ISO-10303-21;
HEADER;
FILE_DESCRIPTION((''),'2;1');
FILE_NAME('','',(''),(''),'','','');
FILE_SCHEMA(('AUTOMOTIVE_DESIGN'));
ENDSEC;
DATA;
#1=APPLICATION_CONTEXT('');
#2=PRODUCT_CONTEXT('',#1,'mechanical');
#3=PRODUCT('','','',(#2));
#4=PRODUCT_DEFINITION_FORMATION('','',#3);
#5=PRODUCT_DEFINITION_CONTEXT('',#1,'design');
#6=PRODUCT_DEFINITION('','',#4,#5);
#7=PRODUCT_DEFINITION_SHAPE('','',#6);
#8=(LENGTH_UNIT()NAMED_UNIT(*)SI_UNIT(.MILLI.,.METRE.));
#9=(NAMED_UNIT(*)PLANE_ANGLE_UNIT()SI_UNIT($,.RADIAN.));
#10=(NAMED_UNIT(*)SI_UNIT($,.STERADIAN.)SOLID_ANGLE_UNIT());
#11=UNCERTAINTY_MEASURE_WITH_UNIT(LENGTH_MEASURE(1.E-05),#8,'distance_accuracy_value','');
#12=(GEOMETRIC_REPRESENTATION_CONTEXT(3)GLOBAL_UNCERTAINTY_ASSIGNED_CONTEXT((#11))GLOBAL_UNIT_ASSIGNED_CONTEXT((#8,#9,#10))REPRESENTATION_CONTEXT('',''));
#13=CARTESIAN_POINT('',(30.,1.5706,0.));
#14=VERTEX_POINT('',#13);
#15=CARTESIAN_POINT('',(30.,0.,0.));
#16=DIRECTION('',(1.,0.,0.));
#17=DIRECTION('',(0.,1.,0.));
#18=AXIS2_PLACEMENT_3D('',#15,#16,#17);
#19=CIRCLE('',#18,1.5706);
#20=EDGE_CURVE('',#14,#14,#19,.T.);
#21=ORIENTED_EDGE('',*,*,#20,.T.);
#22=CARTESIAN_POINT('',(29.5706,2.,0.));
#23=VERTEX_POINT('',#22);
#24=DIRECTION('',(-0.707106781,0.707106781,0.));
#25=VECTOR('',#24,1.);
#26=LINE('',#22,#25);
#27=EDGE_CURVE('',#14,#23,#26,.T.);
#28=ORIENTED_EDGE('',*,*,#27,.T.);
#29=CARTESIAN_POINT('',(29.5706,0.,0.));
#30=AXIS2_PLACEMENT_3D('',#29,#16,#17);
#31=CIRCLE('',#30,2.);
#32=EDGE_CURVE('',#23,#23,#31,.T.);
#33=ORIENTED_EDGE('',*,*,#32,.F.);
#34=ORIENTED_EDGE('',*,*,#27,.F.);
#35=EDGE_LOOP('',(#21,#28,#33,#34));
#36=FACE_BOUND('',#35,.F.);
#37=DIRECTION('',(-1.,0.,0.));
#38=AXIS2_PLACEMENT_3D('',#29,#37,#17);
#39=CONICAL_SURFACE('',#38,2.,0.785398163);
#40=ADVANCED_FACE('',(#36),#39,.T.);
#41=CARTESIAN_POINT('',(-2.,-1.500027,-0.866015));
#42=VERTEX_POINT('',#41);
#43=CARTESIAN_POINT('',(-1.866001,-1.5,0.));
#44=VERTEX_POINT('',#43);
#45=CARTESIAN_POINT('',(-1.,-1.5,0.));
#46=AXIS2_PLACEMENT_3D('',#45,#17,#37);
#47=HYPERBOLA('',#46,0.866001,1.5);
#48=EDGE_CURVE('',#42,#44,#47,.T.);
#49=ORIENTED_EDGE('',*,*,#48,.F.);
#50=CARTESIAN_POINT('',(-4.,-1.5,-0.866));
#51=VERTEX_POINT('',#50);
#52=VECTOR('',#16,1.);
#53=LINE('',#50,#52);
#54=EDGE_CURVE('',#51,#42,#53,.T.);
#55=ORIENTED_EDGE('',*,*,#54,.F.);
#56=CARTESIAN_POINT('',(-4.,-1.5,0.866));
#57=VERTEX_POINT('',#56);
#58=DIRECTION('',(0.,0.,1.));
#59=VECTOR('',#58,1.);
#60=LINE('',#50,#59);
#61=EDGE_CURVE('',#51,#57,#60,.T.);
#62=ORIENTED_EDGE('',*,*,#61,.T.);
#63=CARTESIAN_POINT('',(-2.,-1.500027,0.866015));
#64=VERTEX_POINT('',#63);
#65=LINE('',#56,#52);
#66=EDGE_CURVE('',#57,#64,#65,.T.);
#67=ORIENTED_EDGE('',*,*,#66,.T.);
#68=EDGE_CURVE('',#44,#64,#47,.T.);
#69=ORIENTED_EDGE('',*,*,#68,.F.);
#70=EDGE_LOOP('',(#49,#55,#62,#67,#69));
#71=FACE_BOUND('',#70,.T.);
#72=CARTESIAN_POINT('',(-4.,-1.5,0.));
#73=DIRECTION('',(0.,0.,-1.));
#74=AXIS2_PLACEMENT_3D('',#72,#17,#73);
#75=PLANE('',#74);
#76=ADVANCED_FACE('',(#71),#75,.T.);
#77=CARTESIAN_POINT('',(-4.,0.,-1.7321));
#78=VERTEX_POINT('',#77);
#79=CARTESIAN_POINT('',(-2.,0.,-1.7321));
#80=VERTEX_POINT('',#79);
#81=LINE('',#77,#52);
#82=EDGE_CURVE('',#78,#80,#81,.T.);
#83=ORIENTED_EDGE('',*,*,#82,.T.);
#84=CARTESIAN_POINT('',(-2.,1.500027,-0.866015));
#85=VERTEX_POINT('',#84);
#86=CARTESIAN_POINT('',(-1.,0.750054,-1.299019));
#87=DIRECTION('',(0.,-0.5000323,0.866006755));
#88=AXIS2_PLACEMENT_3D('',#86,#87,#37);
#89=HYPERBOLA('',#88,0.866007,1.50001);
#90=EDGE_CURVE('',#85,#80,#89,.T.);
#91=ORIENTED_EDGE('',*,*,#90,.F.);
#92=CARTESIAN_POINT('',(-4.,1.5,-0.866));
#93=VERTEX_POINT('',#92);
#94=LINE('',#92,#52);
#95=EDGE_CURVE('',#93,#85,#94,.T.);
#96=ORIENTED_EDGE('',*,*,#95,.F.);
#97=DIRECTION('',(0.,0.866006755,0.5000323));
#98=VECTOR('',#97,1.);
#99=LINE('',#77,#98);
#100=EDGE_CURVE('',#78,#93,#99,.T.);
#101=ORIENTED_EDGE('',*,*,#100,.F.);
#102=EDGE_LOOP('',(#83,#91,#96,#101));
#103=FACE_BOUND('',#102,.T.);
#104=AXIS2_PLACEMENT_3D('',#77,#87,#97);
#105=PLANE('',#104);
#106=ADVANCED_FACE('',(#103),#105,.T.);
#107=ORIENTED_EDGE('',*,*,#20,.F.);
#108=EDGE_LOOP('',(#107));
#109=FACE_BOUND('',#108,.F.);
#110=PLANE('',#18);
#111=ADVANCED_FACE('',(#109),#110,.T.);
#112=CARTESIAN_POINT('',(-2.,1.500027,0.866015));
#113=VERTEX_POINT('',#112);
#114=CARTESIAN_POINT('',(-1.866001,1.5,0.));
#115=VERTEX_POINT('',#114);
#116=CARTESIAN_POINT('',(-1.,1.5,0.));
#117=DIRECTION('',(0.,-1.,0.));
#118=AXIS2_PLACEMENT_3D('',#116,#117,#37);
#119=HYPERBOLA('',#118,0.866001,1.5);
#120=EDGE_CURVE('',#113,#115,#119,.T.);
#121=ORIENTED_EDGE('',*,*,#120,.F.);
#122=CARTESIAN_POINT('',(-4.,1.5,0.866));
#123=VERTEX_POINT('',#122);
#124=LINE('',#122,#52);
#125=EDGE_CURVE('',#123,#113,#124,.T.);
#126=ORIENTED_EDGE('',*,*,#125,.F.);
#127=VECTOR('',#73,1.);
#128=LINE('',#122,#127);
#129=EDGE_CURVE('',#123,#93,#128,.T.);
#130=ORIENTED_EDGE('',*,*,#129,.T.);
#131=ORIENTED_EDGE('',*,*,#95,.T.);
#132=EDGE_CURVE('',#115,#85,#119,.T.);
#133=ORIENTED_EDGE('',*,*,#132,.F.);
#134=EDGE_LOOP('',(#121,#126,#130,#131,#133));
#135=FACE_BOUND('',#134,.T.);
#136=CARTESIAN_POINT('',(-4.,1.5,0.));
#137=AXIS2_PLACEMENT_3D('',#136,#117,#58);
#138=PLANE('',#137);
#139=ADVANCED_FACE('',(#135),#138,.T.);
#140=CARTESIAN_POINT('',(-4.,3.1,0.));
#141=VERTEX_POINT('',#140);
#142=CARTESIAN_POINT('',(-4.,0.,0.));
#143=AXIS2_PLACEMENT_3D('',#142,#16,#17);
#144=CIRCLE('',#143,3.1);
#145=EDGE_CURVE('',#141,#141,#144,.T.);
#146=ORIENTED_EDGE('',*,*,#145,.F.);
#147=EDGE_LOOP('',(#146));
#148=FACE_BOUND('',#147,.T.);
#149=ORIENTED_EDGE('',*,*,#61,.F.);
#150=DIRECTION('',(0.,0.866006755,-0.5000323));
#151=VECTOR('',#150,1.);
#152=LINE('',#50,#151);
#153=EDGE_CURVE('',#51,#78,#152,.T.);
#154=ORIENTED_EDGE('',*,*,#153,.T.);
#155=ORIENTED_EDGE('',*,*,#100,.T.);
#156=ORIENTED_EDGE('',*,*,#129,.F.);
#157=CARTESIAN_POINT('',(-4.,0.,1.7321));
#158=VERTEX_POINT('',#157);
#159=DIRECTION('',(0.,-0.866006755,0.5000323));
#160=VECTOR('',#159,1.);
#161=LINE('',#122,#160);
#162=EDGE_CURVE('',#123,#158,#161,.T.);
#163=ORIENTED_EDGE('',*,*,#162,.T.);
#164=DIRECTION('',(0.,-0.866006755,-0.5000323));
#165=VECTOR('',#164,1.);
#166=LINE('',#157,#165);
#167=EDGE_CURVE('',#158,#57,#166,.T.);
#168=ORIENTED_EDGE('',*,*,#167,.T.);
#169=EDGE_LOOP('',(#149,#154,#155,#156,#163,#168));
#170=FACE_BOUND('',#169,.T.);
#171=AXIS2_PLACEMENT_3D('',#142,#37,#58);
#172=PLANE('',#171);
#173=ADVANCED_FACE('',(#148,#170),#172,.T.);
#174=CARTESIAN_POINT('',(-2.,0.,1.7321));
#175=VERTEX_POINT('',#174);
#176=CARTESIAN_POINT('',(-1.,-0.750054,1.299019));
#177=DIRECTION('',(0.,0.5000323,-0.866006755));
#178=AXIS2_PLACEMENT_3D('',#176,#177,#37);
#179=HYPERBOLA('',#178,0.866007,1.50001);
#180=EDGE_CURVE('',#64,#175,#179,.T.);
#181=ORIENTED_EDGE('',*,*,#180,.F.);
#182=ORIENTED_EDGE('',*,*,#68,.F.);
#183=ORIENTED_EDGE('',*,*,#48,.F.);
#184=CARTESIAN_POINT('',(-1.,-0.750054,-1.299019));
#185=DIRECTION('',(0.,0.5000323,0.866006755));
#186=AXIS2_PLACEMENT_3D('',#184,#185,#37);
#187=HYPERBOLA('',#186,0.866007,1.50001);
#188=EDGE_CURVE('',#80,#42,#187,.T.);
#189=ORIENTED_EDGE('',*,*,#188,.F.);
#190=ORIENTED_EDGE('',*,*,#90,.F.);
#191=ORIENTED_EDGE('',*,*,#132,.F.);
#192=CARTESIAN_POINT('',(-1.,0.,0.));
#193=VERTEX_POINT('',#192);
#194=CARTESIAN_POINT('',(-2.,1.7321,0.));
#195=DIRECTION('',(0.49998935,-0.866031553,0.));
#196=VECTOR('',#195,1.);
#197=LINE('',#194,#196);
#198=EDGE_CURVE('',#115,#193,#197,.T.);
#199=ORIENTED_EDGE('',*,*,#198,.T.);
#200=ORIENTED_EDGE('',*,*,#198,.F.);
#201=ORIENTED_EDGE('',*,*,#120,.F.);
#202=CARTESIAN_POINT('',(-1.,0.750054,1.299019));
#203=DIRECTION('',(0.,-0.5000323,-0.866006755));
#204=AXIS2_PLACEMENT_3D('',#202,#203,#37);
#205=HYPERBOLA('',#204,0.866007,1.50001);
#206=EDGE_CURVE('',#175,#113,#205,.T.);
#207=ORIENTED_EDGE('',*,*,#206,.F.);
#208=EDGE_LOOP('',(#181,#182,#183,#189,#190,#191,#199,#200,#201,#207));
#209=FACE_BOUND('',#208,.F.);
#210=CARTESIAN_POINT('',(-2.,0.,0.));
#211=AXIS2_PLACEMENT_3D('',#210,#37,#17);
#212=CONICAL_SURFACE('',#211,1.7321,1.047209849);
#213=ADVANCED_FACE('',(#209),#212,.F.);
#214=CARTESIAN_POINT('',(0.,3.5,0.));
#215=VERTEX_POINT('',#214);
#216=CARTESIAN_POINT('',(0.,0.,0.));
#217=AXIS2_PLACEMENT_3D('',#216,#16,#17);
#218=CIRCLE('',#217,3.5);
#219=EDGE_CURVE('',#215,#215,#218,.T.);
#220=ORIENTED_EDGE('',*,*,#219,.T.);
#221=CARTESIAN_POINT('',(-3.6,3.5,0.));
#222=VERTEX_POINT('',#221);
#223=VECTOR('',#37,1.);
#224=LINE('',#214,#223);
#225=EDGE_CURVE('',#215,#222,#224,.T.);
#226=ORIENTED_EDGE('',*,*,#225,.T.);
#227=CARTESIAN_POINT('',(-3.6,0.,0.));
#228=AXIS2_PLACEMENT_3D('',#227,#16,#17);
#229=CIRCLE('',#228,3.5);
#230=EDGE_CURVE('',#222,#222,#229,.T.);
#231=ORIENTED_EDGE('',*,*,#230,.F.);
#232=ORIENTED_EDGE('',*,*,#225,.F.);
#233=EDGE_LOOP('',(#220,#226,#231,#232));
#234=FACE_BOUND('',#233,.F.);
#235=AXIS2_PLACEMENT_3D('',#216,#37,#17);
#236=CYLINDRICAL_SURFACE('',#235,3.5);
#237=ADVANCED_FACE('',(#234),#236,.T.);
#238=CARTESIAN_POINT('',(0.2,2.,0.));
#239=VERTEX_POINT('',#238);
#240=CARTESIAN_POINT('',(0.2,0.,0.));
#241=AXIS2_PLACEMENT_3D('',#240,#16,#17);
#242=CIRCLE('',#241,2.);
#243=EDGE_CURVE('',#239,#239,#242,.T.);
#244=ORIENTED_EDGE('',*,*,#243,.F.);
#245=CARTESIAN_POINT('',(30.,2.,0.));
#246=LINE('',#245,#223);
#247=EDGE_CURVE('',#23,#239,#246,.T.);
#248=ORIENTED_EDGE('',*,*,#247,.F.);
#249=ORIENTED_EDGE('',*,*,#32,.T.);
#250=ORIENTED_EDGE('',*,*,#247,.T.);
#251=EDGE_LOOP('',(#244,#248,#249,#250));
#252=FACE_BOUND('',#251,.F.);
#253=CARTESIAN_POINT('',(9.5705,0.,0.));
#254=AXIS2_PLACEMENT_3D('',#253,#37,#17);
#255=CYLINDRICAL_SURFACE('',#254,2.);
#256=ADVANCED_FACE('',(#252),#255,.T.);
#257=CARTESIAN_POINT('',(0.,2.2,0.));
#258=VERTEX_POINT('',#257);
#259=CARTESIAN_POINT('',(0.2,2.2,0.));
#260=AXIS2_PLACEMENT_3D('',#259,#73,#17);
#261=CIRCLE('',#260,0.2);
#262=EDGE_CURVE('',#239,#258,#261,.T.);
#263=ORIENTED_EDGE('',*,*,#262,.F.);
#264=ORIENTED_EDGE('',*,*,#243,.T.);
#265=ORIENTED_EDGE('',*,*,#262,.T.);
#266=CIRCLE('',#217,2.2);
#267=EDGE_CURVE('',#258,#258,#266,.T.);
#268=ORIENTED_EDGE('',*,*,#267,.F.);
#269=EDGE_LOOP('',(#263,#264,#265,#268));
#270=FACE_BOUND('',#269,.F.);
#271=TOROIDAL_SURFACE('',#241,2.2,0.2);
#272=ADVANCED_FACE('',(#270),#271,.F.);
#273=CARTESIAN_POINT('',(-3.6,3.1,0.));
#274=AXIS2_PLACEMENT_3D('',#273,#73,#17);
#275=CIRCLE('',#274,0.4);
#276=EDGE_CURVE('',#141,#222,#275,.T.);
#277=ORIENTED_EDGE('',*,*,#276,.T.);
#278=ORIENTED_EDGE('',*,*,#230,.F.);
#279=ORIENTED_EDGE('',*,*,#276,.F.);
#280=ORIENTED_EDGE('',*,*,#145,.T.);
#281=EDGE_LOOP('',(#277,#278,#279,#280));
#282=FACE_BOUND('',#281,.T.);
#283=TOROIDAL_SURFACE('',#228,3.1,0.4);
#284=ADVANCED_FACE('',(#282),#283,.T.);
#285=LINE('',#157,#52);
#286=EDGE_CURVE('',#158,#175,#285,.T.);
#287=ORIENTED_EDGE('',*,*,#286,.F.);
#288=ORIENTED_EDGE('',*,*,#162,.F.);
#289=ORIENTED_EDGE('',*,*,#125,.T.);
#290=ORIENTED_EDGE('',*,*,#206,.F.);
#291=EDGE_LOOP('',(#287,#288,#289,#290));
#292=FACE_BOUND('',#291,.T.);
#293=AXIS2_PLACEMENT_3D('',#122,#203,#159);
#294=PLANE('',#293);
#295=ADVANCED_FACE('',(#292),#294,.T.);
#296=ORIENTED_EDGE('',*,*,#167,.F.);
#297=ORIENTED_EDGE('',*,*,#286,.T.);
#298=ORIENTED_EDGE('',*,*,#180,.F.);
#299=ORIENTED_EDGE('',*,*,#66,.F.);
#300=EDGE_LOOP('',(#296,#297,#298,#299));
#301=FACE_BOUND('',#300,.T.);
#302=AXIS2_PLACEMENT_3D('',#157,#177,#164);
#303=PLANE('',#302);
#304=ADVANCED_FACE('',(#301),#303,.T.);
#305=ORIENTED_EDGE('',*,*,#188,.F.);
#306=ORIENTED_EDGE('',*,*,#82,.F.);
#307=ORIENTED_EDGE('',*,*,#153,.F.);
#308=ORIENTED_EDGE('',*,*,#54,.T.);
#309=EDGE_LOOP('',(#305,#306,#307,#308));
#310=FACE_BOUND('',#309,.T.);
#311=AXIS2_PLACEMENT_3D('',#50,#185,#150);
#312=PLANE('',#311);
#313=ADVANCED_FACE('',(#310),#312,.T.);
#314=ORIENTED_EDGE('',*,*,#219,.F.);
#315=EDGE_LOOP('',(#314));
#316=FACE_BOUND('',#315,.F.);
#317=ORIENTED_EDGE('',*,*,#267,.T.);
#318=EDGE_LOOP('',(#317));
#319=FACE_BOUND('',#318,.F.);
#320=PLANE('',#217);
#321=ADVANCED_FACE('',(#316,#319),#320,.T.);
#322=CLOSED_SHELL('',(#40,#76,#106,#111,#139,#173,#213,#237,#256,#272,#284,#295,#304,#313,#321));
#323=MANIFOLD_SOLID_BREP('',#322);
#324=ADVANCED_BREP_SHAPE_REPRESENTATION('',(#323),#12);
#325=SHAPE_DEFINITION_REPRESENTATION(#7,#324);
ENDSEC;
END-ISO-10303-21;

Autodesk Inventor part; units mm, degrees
ref_plane "YZ Plane" through (0, 0, 0) normal (1, 0, 0) x (0, 1, 0)
ref_plane "XZ Plane" through (0, 0, 0) normal (0, 1, 0) x (-1, 0, 0)
sketch "Skizze1" plane through (0, 0, 0) normal (0, 0, 1) x (1, 0, 0)
  line L0 (-1, 0) -> (30, 0)
  line L1 (30, 0) -> (30, 2)
  line L2 (30, 2) -> (10, 2)
  line L3 (10, 2) -> (9.5705, 2)
  line L4 (9.5705, 2) -> (0, 2)
  line L5 (0, 2) -> (0, 3.5)
  line L6 (0, 3.5) -> (-4, 3.5)
  line L7 (-4, 3.5) -> (-4, 1.7321)
  line L8 (-4, 1.7321) -> (-2, 1.7321)
  line L9 (-2, 1.7321) -> (-1, 0)
  line L10 (-10.8, 0) -> (36.8, 0) projected
  line L11 (0, -0.7) -> (0, 4.2) projected
  line L12 (10, 2) -> (0, 2) construction
  dimension "d1" = 20
  dimension "d2" = 0.4295
  dimension "d3" = 4
  dimension "d4" = 2
  dimension "d5" = 60
  dimension "d6" = 4
  dimension "d7" = 4
  dimension "d8" = 3.4641
  dimension "d9" = 7
  dimension "d26" = 30
revolve "Körper" add sketch "Skizze1" angle 360 about axis through (-1, 0, 0) along (1, 0, 0)
sketch "Skizze2" plane through (-4, 0, 0) normal (-1, 0, 0) x (0, 0, 1)
  circle A0 centre (0, 0) radius 1.7321 projected
  line L0 (0, -4.9) -> (0, 4.9) projected
  line L1 (-4.9, 0) -> (4.9, 0) projected
  line L2 (1.7321, 0) -> (0.866, -1.5)
  line L3 (0.866, -1.5) -> (-0.866, -1.5)
  line L4 (-0.866, -1.5) -> (-1.7321, 0)
  line L5 (-1.7321, 0) -> (-0.866, 1.5)
  line L6 (-0.866, 1.5) -> (0.866, 1.5)
  line L7 (0.866, 1.5) -> (1.7321, 0)
extrude "Loch" add sketch "Skizze2" against normal up to next contours L7 A0 | A0 L2 | L6 L0 A0 | A0 L0 L3 | L0 L6 A0 | A0 L3 L0 | L4 A0 | A0 L5
fillet "Rundung1" radius 0.4 1 edges at (-4, -3.5, 0)
thread "Gewinde" size "M4x0.7" class "6g" standard "ISO Metric profile" length 20
chamfer "Fase1" distance 0.4294 distance2 0.4294 1 edges at (30, -2, 0) measured on face at (30, 0.0262, -0.4421)
ref_plane "Work Plane1" through (29, 0, 0) normal (0, -1, 0) x (1, 0, 0)
fillet "Fillet2" radius 0.2 1 edges at (0, -2, 0)
equation "\"d1\" = GEL"
equation "\"d3\" = KOH"
equation "\"d4\" = INTI"
equation "\"d6\" = GD"
equation "\"d7\" = BDM"
equation "\"d8\" = 1.1547 * SW"
equation "\"d9\" = KOD"
equation "\"d26\" = NLG"
equation "\"d30\" = R"
equation "\"d17\" = RR"
equation "\"d13\" = GEL"
equation "\"d15\" = -0.5 * SPD + 0.5 * GD"
equation "\"d16\" = GUL"
equation "\"GD\" = NND"
equation "\"NLG\" = 30"
equation "\"GEL\" = 20"
equation "\"KOD\" = 7"
equation "\"KOH\" = 4"
equation "\"INTI\" = 2"
equation "\"GAL\" = 0.61345 * PTC"
equation "\"GUL\" = 0.61345 * PTC"
equation "\"BDM\" = NND"
equation "\"SW\" = 3"
equation "\"RR\" = 0.4"
equation "\"SPD\" = NND - 1.2269 * PTC"
equation "\"R\" = 0.2"
equation "\"TOA\" = 30deg"
equation "\"GD1\" = THREADDIA - 1.2269 * PTC"
equation "\"THREADDIA\" = 4"
equation "\"FAWI\" = 45deg"
equation "\"ANG\" = 120deg"
equation "\"PTC\" = 0.7"
equation "\"NND\" = 4"
equation "\"E0\" = 1.155 * SW"
properties part number "DIN 912 - M4 x 30" material "Stahl, weich"
